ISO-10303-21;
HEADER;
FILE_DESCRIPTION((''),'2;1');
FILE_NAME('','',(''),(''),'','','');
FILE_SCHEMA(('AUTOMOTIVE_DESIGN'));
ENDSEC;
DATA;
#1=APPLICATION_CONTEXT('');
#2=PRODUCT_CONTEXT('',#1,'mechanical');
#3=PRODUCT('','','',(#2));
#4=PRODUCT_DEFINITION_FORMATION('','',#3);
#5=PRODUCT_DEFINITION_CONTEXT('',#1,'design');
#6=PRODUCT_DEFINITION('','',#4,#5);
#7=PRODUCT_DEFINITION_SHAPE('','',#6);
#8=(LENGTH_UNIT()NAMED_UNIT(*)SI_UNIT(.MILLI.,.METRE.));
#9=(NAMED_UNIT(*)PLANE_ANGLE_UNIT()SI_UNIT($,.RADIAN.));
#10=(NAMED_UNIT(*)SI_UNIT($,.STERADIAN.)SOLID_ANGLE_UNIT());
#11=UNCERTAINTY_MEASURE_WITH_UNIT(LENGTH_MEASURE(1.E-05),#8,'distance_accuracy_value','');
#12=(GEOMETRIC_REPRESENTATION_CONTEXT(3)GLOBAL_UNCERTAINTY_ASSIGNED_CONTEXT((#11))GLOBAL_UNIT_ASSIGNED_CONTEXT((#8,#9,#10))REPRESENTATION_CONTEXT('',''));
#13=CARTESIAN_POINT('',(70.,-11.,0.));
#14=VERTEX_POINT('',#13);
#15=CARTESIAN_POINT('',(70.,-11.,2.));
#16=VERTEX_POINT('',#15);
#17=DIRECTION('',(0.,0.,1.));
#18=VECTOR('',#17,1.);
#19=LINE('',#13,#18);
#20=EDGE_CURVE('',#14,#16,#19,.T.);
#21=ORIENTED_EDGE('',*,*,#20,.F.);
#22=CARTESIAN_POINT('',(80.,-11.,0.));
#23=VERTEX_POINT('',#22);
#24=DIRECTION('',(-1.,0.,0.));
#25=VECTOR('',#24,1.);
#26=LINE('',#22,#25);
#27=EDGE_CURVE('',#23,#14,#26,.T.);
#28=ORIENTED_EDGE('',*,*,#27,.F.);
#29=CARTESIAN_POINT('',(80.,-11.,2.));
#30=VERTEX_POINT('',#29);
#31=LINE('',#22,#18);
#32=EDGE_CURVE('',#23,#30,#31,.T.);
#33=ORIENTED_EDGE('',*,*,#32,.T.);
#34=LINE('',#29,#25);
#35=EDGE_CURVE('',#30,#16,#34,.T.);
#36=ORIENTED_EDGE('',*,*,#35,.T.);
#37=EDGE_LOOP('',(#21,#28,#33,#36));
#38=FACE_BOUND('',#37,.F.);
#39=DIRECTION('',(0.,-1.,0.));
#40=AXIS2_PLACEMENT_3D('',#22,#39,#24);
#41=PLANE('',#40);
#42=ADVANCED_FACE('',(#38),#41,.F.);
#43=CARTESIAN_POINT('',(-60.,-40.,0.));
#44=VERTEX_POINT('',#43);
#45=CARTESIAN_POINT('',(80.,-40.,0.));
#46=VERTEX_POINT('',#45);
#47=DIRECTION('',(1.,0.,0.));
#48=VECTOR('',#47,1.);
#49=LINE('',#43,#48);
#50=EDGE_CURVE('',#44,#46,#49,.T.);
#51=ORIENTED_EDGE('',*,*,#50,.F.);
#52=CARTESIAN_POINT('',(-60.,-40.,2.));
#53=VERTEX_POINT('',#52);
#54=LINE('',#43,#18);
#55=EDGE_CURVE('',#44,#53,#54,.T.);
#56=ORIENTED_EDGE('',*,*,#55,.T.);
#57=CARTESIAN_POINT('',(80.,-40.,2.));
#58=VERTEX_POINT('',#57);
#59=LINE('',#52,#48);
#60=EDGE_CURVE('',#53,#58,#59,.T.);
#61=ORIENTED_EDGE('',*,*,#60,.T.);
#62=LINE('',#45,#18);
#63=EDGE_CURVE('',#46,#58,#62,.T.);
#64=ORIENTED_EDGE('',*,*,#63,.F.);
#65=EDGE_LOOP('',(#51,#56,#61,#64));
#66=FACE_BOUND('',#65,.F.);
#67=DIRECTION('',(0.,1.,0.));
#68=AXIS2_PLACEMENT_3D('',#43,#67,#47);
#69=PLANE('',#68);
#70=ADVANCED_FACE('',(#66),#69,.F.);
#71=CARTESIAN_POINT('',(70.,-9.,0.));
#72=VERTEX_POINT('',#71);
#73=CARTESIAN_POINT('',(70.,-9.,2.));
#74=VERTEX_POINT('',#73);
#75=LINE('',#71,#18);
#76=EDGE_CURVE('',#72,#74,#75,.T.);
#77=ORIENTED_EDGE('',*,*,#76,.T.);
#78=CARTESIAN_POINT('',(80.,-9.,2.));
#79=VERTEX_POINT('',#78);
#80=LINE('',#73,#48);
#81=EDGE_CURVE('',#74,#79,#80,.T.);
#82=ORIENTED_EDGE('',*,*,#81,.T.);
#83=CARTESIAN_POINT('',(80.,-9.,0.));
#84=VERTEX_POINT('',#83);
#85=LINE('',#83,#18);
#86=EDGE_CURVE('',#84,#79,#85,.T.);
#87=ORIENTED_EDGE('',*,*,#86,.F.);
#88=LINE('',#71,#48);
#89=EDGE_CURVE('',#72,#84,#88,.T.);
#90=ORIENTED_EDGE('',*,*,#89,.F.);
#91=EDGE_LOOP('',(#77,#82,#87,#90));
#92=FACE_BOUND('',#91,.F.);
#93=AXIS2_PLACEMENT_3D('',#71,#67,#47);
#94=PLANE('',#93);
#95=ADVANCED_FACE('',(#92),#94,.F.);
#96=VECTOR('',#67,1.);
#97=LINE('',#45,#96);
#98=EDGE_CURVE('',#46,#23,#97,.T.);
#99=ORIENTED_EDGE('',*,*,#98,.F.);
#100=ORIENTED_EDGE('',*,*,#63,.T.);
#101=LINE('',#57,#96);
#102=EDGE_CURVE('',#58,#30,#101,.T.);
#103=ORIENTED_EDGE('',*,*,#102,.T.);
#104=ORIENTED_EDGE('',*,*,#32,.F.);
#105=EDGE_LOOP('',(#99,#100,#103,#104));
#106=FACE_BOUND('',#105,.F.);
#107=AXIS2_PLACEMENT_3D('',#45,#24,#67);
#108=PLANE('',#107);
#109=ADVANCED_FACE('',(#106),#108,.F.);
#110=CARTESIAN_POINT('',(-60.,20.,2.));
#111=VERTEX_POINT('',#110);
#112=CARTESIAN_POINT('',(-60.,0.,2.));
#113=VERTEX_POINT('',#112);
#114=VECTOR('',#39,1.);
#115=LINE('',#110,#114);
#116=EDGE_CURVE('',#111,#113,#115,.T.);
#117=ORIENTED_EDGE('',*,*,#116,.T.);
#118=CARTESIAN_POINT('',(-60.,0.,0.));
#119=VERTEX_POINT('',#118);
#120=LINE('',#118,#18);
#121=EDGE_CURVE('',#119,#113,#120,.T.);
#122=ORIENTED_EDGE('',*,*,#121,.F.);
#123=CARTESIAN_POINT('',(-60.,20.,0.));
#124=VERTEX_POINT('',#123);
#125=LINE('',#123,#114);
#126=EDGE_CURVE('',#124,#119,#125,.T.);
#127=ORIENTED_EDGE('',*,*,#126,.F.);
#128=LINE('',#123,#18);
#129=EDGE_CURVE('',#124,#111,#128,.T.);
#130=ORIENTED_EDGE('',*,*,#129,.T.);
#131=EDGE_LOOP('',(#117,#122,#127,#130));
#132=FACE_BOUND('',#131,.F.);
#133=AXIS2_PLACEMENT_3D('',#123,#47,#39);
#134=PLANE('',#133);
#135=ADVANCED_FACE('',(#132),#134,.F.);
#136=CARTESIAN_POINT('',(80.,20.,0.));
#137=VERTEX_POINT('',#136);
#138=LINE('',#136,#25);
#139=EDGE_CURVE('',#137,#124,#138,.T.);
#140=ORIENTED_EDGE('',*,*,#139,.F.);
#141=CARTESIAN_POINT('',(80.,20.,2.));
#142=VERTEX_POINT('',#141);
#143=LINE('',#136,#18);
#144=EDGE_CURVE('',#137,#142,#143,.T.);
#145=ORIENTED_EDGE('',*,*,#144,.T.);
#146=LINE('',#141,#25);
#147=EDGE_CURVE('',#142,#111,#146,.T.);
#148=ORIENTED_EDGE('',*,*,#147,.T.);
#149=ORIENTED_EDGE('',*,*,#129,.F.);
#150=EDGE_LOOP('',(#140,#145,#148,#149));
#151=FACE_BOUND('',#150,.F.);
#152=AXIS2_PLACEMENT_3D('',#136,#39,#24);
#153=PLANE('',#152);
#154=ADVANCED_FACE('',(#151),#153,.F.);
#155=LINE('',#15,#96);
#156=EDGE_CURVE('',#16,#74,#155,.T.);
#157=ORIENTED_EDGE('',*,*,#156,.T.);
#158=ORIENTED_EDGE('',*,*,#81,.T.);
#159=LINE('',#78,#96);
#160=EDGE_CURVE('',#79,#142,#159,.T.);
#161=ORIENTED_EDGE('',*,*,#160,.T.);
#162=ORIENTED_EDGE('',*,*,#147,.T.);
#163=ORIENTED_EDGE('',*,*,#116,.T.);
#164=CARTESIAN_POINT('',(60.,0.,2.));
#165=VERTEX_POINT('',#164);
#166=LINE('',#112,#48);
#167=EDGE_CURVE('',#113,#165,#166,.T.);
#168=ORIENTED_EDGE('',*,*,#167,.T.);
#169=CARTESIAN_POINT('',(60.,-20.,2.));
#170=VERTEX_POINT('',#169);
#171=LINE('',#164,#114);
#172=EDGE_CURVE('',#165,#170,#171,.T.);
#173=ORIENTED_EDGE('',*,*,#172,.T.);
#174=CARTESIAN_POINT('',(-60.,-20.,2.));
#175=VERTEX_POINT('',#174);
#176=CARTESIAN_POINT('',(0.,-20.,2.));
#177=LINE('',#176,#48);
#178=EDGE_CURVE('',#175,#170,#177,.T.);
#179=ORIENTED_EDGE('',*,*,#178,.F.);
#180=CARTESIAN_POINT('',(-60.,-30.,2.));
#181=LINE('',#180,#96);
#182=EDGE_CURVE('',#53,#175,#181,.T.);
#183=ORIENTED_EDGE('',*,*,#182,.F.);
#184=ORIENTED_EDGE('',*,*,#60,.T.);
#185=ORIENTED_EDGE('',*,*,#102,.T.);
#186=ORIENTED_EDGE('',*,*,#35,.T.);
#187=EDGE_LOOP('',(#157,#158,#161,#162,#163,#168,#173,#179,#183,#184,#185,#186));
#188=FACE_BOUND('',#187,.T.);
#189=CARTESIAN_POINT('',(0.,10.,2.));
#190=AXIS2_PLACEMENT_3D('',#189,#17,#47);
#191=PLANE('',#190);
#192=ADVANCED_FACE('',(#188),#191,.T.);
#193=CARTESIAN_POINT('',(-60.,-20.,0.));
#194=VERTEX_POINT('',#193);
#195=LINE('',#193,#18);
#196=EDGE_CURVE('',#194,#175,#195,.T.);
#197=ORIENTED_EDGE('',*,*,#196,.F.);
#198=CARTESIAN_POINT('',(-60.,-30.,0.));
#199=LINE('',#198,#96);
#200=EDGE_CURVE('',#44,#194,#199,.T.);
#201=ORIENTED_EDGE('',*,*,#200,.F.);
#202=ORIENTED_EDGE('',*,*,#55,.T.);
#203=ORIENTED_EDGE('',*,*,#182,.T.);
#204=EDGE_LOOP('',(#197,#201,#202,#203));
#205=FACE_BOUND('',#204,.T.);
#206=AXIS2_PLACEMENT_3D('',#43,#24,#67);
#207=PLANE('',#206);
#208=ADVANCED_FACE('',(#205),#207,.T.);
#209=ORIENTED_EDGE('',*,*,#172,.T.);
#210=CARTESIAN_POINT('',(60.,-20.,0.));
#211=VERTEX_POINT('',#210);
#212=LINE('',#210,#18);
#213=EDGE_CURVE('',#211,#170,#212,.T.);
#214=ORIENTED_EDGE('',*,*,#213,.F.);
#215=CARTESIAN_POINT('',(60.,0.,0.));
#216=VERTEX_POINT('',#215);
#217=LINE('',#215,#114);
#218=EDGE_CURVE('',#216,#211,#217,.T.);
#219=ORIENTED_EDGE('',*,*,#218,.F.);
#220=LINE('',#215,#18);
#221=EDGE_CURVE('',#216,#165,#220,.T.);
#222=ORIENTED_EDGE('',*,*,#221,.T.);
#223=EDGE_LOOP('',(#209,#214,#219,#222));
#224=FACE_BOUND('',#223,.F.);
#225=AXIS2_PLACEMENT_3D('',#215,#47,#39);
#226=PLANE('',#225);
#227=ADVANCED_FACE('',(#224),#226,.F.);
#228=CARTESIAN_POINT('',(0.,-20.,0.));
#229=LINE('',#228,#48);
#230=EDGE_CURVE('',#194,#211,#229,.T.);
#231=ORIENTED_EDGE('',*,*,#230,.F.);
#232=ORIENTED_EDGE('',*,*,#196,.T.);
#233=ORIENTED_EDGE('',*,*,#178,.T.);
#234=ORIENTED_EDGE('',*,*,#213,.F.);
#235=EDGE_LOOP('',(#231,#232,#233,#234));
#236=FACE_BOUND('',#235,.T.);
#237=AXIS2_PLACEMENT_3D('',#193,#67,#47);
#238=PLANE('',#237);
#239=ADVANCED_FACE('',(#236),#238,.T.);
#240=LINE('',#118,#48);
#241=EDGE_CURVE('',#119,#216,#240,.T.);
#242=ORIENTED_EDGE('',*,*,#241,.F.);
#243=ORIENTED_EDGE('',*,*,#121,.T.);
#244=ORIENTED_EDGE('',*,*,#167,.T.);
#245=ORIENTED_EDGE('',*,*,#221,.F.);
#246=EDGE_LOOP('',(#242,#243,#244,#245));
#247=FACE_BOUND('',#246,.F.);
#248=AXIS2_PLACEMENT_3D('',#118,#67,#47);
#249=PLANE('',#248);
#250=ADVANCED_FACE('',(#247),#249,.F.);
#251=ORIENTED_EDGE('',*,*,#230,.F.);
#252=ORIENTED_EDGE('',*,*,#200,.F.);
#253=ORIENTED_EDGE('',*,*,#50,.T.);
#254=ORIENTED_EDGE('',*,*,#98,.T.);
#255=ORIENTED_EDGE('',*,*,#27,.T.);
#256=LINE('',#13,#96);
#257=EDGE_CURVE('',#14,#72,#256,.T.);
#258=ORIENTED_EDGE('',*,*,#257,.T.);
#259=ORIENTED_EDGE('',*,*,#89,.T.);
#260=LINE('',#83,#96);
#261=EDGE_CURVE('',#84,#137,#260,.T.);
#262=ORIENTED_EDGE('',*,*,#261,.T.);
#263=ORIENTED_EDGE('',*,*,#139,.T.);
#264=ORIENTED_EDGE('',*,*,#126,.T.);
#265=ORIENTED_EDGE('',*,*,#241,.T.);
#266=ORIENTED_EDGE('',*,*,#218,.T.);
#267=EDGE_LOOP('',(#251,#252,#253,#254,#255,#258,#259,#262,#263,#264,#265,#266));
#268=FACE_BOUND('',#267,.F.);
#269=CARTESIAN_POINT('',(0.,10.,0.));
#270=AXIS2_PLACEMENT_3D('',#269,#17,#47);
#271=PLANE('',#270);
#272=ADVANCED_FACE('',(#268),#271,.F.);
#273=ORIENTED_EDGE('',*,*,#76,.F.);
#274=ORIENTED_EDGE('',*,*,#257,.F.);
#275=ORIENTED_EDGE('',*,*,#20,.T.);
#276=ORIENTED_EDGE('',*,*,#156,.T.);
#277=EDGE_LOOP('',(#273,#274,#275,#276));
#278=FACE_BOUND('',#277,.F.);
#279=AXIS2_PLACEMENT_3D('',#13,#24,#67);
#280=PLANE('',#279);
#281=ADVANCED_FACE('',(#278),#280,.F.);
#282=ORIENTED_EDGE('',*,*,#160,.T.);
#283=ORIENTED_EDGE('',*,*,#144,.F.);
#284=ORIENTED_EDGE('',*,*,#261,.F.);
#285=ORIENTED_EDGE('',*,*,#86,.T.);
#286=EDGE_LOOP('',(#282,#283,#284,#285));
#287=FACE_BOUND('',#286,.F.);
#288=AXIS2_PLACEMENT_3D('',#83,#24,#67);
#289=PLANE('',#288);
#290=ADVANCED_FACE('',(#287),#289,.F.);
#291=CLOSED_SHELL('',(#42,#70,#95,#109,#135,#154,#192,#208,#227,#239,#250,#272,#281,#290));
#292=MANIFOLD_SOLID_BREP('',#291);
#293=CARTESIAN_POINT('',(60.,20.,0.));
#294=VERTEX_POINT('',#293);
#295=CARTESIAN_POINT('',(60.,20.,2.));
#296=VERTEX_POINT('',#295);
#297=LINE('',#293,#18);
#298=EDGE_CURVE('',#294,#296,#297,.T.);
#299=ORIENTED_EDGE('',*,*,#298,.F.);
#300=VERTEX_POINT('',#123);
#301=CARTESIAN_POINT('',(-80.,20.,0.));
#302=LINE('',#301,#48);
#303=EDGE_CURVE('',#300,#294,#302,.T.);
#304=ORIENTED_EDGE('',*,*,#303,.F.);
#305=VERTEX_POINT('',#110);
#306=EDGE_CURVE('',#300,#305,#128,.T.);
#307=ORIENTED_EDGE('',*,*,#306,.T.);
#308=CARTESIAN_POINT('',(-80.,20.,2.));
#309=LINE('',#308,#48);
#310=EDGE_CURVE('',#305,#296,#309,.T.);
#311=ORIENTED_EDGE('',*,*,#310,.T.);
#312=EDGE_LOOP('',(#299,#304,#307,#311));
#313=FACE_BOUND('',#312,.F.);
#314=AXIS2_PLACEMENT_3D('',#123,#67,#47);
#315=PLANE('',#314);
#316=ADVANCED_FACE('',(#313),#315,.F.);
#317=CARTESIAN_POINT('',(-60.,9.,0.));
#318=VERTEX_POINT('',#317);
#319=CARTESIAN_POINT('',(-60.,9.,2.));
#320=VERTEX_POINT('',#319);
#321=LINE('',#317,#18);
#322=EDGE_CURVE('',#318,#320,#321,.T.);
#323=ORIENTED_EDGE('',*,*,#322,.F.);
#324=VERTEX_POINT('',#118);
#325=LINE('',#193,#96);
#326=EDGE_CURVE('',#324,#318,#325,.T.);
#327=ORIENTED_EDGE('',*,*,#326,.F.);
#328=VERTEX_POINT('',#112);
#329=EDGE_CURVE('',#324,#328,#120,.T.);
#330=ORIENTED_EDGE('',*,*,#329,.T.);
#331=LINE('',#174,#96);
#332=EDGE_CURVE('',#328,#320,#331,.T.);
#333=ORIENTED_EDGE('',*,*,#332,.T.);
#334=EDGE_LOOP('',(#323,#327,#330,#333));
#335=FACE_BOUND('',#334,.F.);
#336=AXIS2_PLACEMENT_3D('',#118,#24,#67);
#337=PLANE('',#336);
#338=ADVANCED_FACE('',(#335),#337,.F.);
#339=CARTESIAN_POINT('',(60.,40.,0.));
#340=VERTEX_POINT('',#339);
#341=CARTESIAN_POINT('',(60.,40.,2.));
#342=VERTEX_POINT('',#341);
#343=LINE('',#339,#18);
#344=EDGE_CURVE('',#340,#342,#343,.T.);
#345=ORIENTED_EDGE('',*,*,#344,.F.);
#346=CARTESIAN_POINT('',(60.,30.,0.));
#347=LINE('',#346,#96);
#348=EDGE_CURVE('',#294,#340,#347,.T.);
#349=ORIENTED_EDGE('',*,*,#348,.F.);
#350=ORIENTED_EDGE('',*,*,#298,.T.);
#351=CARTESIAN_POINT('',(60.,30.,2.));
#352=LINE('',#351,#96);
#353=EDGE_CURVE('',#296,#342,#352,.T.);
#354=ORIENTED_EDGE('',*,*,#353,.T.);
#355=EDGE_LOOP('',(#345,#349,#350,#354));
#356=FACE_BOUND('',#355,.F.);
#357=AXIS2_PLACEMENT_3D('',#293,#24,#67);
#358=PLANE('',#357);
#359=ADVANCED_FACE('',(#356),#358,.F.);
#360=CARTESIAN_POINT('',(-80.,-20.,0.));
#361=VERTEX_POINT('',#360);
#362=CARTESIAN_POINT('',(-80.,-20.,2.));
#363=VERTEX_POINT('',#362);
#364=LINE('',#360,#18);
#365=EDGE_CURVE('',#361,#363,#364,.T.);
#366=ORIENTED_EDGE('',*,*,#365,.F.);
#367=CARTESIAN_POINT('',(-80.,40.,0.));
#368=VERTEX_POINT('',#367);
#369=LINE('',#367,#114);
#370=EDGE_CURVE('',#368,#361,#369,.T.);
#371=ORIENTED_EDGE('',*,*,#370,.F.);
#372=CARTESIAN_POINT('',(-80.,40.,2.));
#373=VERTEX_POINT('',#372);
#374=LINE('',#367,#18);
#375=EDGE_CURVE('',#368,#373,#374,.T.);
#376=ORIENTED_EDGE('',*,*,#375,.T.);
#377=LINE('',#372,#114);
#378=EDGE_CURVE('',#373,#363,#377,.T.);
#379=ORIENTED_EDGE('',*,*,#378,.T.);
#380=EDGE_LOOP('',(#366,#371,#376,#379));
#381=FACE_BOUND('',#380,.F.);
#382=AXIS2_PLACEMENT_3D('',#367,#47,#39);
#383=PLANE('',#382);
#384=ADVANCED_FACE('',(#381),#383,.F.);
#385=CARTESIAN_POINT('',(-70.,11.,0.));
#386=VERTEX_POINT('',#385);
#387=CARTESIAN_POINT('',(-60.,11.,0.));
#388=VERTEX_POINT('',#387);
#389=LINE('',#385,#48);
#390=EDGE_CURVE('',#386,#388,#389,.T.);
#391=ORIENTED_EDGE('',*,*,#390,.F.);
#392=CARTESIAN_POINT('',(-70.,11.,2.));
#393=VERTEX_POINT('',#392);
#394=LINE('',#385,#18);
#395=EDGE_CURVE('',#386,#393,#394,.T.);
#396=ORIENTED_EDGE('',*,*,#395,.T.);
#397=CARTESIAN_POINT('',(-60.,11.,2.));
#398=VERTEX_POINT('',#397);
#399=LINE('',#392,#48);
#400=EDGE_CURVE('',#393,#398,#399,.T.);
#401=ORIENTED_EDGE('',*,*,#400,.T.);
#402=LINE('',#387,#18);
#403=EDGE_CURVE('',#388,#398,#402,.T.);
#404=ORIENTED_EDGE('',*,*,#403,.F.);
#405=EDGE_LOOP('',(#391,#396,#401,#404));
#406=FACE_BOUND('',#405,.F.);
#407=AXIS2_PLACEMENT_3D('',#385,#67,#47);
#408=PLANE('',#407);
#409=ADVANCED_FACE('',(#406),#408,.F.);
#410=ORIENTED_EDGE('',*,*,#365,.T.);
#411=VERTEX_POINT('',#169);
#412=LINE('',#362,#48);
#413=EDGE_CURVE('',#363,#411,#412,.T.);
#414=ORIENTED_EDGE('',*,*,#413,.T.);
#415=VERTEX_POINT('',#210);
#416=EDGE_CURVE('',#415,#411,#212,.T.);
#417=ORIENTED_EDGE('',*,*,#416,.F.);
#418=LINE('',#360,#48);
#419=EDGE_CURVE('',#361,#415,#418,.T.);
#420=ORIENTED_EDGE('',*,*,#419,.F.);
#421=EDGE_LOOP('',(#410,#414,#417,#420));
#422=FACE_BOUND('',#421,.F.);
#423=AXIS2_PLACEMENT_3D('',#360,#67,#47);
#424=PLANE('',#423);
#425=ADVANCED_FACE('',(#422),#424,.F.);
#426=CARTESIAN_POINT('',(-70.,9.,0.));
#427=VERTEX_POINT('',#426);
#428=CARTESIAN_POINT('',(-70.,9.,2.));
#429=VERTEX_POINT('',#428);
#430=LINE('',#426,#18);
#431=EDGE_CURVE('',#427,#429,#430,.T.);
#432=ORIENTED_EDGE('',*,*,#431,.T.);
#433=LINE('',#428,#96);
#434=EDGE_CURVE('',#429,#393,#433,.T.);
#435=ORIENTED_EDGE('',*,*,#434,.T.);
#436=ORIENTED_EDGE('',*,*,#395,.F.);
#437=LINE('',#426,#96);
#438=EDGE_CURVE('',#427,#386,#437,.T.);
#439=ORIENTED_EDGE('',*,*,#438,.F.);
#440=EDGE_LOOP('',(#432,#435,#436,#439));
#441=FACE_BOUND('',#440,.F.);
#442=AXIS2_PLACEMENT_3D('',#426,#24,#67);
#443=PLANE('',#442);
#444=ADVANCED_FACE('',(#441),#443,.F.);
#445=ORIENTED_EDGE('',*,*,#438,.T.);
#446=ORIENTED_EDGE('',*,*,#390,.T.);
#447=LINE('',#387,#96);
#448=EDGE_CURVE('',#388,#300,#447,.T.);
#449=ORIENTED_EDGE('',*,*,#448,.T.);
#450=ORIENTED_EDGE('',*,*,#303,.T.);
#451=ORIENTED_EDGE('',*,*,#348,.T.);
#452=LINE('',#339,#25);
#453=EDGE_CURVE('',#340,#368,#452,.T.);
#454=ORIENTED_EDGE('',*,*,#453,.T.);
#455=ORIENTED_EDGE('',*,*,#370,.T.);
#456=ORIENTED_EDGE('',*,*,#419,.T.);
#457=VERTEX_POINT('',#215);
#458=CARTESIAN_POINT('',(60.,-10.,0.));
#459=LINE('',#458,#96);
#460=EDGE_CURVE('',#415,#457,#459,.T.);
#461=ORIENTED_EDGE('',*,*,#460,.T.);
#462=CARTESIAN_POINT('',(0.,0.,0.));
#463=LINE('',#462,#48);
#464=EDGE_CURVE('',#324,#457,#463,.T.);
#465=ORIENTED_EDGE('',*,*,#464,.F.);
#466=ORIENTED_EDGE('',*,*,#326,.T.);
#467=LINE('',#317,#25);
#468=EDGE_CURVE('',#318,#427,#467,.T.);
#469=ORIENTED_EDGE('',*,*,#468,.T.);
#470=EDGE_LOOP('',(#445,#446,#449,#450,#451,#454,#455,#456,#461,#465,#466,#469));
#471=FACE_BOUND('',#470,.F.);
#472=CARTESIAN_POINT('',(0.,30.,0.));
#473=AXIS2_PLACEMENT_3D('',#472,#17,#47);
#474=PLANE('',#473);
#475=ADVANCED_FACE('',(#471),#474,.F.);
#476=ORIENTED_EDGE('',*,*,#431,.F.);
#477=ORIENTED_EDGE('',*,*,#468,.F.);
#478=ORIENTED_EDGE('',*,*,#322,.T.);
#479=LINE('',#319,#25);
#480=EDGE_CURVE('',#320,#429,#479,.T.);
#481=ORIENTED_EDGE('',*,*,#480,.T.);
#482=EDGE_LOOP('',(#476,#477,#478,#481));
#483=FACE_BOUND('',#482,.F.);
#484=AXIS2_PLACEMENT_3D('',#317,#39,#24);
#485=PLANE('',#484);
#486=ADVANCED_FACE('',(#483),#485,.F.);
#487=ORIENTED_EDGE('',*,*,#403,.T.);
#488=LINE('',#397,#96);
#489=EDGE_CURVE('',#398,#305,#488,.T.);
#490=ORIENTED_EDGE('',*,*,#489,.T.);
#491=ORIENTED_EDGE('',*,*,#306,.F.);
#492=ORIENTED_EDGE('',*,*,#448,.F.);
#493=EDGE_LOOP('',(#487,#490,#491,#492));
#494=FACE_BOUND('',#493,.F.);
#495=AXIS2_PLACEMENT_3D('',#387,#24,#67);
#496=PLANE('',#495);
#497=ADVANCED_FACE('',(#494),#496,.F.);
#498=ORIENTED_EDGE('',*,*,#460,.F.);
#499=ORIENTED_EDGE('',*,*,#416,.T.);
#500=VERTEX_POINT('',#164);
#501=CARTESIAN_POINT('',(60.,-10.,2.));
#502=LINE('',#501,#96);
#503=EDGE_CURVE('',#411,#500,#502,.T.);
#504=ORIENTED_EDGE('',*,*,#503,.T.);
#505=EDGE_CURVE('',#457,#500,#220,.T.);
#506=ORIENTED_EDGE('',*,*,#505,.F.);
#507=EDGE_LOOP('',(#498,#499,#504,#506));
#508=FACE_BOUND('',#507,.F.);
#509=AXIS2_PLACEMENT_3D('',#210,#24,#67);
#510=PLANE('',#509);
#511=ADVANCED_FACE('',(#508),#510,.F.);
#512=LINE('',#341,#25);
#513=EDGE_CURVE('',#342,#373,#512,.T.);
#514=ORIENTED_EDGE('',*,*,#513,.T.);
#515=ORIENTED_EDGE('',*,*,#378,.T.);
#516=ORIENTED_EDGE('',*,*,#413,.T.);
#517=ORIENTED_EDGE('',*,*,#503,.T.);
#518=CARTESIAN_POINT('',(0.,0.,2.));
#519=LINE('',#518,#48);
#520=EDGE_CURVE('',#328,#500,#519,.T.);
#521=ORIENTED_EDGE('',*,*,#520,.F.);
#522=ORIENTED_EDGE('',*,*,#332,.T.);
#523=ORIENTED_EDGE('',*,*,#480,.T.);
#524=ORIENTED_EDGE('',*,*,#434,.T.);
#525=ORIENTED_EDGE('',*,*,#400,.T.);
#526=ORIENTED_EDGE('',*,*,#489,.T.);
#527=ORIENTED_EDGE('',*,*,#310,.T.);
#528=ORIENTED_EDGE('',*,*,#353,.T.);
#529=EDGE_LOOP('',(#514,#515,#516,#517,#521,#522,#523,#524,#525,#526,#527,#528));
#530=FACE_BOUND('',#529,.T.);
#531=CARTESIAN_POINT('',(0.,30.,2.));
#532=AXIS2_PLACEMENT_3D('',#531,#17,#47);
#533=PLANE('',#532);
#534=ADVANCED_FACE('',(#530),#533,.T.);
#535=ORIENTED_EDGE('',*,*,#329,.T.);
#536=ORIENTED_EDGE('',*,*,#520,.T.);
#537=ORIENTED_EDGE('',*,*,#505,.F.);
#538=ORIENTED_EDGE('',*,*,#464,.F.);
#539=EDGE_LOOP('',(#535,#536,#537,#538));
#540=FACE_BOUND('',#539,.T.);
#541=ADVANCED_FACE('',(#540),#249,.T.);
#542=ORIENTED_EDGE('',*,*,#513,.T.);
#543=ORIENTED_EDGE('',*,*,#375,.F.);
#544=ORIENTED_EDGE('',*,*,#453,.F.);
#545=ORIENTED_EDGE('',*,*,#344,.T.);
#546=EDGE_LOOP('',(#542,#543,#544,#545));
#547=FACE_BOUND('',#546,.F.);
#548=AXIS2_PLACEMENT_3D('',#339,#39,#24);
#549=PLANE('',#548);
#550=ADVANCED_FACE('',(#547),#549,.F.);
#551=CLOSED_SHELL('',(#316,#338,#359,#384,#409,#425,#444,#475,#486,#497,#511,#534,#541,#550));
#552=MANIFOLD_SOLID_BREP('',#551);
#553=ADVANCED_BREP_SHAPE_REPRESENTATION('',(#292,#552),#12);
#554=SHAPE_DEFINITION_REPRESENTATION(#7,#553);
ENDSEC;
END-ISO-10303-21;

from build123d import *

# Parameters (mm, degrees)
F0_W     = 120
F0_H     = 20
F0_W_2   = 20
F1_DEPTH = 2
F2_DEPTH = 2


with BuildPart() as f1:
    # F0 (on Top) → F1 (new body)
    with BuildSketch(Plane.XY):
        with Locations((0, 30)):
            Rectangle(F0_W, F0_H)
        with Locations((-70, 30)):
            Rectangle(F0_W_2, F0_H)
        Polygon((-60, 20), (-80, 20), (-80, 0), (-60, 0), (-60, 9), (-70, 9), (-70, 11), (-60, 11), align=None)
        with Locations((-70, -10)):
            Rectangle(F0_W_2, F0_H)
        with Locations((0, -10)):
            Rectangle(F0_W, F0_H)
    extrude(amount=F1_DEPTH)


with BuildPart() as f2:
    # F0 (on Top) → F2 (new body)
    with BuildSketch(Plane.XY):
        Polygon((60, 20), (-60, 20), (-60, 11), (-60, 9), (-60, 0), (60, 0), align=None)
        with Locations((70, 10)):
            Rectangle(F0_W_2, F0_H)
        Polygon((80, 0), (60, 0), (60, -20), (80, -20), (80, -11), (70, -11), (70, -9), (80, -9), align=None)
        with Locations((70, -30)):
            Rectangle(F0_W_2, F0_H)
        with Locations((0, -30)):
            Rectangle(F0_W, F0_H)
    extrude(amount=F2_DEPTH)


solid = Compound([f1.part, f2.part])
